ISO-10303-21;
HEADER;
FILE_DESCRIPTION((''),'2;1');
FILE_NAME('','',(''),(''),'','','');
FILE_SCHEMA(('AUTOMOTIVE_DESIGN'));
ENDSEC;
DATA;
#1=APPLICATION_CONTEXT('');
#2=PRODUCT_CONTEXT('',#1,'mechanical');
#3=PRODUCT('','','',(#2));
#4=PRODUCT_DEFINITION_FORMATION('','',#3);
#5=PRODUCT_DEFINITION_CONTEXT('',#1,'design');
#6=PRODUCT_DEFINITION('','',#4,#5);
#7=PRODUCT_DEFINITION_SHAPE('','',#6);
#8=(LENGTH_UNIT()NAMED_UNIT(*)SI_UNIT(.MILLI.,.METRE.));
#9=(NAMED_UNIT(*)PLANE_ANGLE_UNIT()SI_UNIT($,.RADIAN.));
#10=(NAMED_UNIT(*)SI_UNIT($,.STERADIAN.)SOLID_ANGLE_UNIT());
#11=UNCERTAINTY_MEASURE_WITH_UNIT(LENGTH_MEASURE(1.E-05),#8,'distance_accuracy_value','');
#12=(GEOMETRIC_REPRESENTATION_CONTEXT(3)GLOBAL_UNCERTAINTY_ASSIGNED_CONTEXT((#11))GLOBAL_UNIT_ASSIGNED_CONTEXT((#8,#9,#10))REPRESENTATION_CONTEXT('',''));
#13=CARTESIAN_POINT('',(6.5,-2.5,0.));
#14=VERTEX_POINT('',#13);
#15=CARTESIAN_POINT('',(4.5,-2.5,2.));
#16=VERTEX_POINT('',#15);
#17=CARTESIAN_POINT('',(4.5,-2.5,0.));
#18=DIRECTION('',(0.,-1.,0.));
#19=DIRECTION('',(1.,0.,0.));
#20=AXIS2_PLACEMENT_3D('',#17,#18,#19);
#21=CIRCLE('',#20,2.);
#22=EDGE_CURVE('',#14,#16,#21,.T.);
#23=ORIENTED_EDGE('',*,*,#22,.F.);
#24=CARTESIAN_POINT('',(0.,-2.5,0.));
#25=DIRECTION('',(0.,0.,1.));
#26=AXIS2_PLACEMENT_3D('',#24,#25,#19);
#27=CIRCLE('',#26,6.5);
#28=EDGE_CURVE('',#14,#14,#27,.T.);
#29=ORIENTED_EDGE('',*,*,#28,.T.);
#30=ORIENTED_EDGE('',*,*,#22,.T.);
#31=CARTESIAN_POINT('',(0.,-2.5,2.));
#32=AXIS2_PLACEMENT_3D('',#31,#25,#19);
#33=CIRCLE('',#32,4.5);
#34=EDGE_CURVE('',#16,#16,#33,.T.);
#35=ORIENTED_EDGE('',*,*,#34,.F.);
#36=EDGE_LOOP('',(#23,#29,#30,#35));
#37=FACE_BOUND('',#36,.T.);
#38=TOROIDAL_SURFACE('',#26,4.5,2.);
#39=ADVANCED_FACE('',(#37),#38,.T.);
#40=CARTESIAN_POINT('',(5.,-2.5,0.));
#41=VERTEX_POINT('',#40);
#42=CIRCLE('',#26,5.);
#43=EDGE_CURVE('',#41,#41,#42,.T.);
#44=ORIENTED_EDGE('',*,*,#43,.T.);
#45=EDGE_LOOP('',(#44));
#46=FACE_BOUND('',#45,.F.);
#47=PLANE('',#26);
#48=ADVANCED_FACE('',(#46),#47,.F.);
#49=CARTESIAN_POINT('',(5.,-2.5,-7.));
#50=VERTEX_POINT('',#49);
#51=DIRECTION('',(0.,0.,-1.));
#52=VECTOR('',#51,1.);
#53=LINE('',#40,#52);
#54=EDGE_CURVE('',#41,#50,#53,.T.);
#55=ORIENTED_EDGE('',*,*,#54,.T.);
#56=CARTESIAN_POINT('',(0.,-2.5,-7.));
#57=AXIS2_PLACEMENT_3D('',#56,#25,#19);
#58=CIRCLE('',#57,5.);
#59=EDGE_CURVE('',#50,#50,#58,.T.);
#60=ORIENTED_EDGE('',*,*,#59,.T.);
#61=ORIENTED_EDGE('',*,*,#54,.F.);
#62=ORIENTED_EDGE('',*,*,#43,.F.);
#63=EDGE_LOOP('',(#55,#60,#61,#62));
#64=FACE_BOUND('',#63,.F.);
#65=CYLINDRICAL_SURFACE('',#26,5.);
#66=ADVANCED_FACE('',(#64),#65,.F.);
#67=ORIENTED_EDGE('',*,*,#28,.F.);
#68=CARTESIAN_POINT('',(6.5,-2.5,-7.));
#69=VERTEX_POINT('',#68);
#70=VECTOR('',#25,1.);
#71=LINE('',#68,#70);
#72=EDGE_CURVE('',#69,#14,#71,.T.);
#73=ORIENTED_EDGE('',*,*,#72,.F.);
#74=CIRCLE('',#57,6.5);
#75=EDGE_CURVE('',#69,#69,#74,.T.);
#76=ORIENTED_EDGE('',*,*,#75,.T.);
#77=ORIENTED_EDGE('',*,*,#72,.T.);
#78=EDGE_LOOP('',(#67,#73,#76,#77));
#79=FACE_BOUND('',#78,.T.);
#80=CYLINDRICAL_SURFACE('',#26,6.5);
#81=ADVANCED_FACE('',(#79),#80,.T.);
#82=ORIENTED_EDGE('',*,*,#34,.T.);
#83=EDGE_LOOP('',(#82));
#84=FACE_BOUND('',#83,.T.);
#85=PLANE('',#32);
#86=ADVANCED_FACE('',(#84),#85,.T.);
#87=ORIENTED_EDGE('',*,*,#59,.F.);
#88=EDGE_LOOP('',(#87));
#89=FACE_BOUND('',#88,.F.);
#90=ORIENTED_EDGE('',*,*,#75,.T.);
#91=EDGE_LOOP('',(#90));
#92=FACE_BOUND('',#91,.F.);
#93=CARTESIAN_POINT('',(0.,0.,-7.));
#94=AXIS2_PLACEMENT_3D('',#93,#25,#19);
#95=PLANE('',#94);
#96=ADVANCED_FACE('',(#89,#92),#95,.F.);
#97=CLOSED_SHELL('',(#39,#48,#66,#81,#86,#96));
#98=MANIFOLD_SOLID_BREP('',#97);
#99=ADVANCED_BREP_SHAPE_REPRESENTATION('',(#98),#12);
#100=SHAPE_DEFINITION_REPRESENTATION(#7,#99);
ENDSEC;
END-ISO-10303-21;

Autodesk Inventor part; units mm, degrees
ref_plane "YZ Plane" through (0, 0, 0) normal (1, 0, 0) x (0, 1, 0)
ref_plane "XZ Plane" through (0, 0, 0) normal (0, 1, 0) x (-1, 0, 0)
ref_plane "XY Plane" through (0, 0, 0) normal (0, 0, 1) x (1, 0, 0)
sketch "Skizze1" plane through (0, 0, 0) normal (0, 0, 1) x (1, 0, 0)
  circle A0 centre (0, -2.5) radius 5 projected
  circle A1 centre (0, -2.5) radius 2.5 projected
  circle A2 centre (0, -2.5) radius 6.5
  point P0 (0, 0)
  dimension "d0" = 13
extrude "Extrusion1" add sketch "Skizze1" against normal blind 7 contours A2
thread "Gewinde1" size "M10x1.5" class "6H" standard "ANSI Metric M Profile" full length
sketch "Skizze2" plane through (0, -2.5, 0) normal (0, 0, 1) x (1, 0, 0)
  circle A0 centre (0, 0) radius 6.5
  point P0 (0, 2.5)
extrude "Extrusion2" add sketch "Skizze2" along normal blind 2
fillet "Rundung1" radius 2 1 edges at (-6.5, -2.5, 2)
properties part number "Mutter"
